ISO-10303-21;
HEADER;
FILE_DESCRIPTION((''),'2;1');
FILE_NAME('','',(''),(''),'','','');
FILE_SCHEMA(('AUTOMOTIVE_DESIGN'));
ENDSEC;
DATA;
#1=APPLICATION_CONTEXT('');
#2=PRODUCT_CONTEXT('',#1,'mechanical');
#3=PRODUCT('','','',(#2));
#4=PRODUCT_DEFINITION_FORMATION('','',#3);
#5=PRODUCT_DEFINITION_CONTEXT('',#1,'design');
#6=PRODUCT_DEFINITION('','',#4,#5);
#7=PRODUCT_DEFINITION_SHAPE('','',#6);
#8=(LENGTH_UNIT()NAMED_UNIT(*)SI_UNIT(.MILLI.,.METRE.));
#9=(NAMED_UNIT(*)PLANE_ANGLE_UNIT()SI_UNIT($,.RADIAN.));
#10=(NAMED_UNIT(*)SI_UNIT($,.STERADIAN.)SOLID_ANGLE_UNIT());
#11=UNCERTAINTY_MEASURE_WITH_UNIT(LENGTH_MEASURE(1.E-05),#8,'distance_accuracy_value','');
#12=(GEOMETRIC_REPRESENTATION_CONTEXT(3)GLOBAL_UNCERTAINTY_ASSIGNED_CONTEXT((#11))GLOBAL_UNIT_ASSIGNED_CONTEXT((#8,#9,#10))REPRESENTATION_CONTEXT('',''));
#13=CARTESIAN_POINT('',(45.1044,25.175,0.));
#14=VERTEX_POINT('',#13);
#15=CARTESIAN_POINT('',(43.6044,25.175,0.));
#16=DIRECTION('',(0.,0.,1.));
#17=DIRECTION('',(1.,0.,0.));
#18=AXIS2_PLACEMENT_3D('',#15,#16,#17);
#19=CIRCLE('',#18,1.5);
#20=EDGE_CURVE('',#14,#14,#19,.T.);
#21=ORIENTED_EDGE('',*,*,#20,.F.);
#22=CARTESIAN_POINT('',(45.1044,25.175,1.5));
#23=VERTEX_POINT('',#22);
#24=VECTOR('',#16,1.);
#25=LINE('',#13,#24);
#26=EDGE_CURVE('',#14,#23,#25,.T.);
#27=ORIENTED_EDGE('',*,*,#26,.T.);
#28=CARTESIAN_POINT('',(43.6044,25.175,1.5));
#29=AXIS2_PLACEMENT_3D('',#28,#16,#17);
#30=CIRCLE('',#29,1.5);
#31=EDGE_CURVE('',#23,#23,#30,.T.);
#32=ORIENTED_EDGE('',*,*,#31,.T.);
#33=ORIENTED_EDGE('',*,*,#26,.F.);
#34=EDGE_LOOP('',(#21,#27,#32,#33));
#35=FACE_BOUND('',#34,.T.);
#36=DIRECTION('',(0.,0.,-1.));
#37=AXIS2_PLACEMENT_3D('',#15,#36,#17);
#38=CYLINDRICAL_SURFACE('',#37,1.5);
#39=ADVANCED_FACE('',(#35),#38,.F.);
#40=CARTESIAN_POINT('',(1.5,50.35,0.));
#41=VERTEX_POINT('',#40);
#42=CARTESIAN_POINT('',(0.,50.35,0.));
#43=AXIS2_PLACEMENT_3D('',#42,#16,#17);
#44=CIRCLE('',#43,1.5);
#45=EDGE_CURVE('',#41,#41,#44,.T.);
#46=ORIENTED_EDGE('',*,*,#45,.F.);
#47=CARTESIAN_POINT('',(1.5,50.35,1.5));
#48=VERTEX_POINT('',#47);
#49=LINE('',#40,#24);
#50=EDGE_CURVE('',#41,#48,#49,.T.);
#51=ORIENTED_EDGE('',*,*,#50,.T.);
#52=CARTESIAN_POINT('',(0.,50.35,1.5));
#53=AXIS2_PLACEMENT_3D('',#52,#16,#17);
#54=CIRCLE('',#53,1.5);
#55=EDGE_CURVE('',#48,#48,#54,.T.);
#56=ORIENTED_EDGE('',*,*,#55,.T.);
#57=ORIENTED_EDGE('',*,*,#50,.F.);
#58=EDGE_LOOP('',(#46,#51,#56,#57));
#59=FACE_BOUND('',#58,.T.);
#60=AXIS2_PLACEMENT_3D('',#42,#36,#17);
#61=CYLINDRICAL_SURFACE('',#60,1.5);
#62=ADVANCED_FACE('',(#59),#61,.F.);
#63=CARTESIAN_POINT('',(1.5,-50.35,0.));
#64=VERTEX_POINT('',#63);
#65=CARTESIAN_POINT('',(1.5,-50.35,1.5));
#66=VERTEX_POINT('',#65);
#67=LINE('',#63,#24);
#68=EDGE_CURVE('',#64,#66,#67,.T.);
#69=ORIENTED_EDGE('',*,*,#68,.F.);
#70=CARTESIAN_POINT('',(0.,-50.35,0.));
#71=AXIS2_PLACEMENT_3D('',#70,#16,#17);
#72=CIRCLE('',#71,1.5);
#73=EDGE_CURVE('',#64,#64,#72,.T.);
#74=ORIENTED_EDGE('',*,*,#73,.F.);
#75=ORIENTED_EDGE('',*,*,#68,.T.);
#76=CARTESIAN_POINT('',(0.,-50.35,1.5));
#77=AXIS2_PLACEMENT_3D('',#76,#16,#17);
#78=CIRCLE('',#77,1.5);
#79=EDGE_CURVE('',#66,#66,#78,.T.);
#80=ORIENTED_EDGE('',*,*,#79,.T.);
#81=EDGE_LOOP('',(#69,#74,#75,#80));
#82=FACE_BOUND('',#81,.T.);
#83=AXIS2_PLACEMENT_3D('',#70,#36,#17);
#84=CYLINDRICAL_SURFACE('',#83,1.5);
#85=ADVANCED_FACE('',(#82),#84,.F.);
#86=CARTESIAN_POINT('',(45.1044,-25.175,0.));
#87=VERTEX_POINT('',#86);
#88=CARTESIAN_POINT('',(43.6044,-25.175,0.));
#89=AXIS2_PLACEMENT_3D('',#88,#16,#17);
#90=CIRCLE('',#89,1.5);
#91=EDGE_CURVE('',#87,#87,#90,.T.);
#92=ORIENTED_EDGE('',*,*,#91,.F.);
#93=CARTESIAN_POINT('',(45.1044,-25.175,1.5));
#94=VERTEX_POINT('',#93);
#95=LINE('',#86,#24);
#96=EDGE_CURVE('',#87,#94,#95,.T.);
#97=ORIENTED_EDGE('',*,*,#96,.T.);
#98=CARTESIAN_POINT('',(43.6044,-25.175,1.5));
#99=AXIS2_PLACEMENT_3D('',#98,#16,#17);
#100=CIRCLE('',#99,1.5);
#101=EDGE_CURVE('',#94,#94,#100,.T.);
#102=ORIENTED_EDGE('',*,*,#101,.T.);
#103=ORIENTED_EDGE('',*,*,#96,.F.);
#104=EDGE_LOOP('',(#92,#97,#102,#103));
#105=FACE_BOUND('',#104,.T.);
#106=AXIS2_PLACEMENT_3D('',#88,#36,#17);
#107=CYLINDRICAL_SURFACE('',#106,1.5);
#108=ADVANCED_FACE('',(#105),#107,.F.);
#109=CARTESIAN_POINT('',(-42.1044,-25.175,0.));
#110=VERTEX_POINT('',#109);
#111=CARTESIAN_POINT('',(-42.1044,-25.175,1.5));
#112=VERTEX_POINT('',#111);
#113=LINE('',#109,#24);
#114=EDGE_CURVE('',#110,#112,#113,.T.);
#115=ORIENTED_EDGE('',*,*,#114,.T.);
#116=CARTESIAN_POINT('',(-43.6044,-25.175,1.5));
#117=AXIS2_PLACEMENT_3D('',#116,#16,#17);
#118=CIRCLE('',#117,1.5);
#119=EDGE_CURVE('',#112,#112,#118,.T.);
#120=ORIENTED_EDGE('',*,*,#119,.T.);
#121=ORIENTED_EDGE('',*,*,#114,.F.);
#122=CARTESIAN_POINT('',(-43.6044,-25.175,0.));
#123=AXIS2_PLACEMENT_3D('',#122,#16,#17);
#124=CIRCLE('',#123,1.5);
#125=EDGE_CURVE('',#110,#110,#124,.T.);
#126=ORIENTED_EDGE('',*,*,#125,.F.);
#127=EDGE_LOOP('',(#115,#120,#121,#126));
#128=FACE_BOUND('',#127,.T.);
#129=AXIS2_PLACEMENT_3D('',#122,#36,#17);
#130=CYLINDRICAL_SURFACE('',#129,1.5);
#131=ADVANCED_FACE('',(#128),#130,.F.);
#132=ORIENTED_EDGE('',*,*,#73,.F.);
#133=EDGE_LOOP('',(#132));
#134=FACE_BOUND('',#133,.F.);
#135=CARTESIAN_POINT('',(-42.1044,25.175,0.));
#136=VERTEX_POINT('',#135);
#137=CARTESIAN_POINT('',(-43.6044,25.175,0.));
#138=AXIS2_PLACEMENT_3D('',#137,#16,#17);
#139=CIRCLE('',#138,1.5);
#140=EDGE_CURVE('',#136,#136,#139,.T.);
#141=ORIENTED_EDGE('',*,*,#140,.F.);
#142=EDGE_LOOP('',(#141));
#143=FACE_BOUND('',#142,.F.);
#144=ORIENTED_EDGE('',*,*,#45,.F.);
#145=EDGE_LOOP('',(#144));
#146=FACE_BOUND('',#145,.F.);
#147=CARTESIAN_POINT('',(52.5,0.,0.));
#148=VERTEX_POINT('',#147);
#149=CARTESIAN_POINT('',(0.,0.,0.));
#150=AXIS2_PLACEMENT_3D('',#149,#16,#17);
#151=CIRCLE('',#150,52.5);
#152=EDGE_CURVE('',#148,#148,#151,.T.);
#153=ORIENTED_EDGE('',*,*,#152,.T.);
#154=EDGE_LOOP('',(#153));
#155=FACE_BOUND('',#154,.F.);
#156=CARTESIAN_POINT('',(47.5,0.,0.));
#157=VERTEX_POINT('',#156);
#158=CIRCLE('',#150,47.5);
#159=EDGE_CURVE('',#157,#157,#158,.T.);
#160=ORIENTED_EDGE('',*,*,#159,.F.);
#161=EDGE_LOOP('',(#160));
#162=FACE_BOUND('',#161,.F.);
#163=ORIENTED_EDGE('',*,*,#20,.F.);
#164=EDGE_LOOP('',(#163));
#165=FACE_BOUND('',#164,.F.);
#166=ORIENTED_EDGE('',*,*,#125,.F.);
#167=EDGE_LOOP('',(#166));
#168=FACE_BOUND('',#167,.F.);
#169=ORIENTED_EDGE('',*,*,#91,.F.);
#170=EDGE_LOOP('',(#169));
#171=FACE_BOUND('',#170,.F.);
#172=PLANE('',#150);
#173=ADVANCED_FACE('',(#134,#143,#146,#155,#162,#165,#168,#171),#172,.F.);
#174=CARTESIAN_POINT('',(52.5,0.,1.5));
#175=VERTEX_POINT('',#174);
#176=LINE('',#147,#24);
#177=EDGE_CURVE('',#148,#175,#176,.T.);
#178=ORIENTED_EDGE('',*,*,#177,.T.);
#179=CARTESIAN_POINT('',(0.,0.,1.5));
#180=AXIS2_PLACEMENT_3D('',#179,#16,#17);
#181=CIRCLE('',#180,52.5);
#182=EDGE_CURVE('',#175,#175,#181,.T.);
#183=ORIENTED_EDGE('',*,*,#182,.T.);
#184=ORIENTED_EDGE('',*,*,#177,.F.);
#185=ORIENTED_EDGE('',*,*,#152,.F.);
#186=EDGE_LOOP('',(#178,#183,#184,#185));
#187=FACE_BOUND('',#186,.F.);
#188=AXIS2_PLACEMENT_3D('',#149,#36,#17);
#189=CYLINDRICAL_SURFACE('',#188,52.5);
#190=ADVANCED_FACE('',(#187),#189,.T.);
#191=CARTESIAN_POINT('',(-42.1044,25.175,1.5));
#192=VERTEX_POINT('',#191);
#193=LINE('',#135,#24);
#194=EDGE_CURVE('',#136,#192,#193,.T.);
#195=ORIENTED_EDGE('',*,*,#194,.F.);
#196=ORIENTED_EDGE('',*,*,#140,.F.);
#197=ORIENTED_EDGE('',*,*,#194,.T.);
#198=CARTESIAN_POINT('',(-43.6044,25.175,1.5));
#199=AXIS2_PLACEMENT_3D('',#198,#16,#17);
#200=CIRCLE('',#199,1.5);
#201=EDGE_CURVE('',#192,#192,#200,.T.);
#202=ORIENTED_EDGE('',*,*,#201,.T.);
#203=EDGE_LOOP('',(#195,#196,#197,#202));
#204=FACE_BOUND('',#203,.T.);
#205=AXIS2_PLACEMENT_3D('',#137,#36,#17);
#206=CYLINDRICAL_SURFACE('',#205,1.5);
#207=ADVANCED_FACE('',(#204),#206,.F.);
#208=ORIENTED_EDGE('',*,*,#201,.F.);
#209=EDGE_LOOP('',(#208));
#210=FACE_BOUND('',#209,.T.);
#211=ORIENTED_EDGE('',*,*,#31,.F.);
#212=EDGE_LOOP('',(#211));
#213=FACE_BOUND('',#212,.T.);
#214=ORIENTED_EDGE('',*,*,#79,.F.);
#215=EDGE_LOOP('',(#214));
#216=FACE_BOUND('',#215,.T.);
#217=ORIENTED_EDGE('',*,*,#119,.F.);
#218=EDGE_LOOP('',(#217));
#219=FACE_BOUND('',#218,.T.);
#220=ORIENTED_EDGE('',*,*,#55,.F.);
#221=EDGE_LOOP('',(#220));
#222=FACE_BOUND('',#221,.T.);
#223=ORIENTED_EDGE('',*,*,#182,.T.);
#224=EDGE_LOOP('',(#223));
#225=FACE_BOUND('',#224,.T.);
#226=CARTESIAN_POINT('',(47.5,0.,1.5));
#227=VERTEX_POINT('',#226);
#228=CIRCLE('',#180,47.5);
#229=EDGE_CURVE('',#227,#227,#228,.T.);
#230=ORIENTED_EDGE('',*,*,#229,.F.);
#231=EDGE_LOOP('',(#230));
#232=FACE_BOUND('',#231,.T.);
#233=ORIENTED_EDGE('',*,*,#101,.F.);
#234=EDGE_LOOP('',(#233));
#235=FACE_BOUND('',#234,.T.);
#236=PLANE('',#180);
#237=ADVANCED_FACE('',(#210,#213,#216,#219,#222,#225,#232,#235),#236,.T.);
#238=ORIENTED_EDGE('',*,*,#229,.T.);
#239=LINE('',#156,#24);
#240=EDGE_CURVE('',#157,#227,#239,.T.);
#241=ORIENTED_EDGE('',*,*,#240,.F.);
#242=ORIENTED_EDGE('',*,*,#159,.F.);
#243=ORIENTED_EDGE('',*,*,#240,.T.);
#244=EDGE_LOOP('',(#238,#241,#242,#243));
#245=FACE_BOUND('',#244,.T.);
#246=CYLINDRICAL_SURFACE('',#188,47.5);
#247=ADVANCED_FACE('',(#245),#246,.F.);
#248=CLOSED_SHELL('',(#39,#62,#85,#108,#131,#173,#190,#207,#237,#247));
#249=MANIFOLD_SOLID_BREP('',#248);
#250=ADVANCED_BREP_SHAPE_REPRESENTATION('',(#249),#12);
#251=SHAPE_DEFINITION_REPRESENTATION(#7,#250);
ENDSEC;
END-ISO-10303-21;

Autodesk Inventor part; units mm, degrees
ref_plane "YZ Plane" through (0, 0, 0) normal (1, 0, 0) x (0, 1, 0)
ref_plane "XZ Plane" through (0, 0, 0) normal (0, 1, 0) x (-1, 0, 0)
ref_plane "XY Plane" through (0, 0, 0) normal (0, 0, 1) x (1, 0, 0)
sketch "Sketch1" plane through (0, 0, 0) normal (0, 0, 1) x (1, 0, 0)
  circle A0 centre (0, 0) radius 47.5
  circle A1 centre (0, 0) radius 52.5
  circle A2 centre (0, 50.35) radius 1.5
  circle A3 centre (-43.6044, 25.175) radius 1.5
  circle A4 centre (-43.6044, -25.175) radius 1.5
  circle A5 centre (0, -50.35) radius 1.5
  circle A6 centre (43.6044, -25.175) radius 1.5
  circle A7 centre (43.6044, 25.175) radius 1.5
  dimension "d0" = 95
  dimension "d1" = 105
  dimension "d2" = 3
  dimension "d5" = 360
  dimension "d9" = 1.35
extrude "Extrusion1" add sketch "Sketch1" along normal blind 1.5
properties part number "bead lock" material "PCTG 20%"
